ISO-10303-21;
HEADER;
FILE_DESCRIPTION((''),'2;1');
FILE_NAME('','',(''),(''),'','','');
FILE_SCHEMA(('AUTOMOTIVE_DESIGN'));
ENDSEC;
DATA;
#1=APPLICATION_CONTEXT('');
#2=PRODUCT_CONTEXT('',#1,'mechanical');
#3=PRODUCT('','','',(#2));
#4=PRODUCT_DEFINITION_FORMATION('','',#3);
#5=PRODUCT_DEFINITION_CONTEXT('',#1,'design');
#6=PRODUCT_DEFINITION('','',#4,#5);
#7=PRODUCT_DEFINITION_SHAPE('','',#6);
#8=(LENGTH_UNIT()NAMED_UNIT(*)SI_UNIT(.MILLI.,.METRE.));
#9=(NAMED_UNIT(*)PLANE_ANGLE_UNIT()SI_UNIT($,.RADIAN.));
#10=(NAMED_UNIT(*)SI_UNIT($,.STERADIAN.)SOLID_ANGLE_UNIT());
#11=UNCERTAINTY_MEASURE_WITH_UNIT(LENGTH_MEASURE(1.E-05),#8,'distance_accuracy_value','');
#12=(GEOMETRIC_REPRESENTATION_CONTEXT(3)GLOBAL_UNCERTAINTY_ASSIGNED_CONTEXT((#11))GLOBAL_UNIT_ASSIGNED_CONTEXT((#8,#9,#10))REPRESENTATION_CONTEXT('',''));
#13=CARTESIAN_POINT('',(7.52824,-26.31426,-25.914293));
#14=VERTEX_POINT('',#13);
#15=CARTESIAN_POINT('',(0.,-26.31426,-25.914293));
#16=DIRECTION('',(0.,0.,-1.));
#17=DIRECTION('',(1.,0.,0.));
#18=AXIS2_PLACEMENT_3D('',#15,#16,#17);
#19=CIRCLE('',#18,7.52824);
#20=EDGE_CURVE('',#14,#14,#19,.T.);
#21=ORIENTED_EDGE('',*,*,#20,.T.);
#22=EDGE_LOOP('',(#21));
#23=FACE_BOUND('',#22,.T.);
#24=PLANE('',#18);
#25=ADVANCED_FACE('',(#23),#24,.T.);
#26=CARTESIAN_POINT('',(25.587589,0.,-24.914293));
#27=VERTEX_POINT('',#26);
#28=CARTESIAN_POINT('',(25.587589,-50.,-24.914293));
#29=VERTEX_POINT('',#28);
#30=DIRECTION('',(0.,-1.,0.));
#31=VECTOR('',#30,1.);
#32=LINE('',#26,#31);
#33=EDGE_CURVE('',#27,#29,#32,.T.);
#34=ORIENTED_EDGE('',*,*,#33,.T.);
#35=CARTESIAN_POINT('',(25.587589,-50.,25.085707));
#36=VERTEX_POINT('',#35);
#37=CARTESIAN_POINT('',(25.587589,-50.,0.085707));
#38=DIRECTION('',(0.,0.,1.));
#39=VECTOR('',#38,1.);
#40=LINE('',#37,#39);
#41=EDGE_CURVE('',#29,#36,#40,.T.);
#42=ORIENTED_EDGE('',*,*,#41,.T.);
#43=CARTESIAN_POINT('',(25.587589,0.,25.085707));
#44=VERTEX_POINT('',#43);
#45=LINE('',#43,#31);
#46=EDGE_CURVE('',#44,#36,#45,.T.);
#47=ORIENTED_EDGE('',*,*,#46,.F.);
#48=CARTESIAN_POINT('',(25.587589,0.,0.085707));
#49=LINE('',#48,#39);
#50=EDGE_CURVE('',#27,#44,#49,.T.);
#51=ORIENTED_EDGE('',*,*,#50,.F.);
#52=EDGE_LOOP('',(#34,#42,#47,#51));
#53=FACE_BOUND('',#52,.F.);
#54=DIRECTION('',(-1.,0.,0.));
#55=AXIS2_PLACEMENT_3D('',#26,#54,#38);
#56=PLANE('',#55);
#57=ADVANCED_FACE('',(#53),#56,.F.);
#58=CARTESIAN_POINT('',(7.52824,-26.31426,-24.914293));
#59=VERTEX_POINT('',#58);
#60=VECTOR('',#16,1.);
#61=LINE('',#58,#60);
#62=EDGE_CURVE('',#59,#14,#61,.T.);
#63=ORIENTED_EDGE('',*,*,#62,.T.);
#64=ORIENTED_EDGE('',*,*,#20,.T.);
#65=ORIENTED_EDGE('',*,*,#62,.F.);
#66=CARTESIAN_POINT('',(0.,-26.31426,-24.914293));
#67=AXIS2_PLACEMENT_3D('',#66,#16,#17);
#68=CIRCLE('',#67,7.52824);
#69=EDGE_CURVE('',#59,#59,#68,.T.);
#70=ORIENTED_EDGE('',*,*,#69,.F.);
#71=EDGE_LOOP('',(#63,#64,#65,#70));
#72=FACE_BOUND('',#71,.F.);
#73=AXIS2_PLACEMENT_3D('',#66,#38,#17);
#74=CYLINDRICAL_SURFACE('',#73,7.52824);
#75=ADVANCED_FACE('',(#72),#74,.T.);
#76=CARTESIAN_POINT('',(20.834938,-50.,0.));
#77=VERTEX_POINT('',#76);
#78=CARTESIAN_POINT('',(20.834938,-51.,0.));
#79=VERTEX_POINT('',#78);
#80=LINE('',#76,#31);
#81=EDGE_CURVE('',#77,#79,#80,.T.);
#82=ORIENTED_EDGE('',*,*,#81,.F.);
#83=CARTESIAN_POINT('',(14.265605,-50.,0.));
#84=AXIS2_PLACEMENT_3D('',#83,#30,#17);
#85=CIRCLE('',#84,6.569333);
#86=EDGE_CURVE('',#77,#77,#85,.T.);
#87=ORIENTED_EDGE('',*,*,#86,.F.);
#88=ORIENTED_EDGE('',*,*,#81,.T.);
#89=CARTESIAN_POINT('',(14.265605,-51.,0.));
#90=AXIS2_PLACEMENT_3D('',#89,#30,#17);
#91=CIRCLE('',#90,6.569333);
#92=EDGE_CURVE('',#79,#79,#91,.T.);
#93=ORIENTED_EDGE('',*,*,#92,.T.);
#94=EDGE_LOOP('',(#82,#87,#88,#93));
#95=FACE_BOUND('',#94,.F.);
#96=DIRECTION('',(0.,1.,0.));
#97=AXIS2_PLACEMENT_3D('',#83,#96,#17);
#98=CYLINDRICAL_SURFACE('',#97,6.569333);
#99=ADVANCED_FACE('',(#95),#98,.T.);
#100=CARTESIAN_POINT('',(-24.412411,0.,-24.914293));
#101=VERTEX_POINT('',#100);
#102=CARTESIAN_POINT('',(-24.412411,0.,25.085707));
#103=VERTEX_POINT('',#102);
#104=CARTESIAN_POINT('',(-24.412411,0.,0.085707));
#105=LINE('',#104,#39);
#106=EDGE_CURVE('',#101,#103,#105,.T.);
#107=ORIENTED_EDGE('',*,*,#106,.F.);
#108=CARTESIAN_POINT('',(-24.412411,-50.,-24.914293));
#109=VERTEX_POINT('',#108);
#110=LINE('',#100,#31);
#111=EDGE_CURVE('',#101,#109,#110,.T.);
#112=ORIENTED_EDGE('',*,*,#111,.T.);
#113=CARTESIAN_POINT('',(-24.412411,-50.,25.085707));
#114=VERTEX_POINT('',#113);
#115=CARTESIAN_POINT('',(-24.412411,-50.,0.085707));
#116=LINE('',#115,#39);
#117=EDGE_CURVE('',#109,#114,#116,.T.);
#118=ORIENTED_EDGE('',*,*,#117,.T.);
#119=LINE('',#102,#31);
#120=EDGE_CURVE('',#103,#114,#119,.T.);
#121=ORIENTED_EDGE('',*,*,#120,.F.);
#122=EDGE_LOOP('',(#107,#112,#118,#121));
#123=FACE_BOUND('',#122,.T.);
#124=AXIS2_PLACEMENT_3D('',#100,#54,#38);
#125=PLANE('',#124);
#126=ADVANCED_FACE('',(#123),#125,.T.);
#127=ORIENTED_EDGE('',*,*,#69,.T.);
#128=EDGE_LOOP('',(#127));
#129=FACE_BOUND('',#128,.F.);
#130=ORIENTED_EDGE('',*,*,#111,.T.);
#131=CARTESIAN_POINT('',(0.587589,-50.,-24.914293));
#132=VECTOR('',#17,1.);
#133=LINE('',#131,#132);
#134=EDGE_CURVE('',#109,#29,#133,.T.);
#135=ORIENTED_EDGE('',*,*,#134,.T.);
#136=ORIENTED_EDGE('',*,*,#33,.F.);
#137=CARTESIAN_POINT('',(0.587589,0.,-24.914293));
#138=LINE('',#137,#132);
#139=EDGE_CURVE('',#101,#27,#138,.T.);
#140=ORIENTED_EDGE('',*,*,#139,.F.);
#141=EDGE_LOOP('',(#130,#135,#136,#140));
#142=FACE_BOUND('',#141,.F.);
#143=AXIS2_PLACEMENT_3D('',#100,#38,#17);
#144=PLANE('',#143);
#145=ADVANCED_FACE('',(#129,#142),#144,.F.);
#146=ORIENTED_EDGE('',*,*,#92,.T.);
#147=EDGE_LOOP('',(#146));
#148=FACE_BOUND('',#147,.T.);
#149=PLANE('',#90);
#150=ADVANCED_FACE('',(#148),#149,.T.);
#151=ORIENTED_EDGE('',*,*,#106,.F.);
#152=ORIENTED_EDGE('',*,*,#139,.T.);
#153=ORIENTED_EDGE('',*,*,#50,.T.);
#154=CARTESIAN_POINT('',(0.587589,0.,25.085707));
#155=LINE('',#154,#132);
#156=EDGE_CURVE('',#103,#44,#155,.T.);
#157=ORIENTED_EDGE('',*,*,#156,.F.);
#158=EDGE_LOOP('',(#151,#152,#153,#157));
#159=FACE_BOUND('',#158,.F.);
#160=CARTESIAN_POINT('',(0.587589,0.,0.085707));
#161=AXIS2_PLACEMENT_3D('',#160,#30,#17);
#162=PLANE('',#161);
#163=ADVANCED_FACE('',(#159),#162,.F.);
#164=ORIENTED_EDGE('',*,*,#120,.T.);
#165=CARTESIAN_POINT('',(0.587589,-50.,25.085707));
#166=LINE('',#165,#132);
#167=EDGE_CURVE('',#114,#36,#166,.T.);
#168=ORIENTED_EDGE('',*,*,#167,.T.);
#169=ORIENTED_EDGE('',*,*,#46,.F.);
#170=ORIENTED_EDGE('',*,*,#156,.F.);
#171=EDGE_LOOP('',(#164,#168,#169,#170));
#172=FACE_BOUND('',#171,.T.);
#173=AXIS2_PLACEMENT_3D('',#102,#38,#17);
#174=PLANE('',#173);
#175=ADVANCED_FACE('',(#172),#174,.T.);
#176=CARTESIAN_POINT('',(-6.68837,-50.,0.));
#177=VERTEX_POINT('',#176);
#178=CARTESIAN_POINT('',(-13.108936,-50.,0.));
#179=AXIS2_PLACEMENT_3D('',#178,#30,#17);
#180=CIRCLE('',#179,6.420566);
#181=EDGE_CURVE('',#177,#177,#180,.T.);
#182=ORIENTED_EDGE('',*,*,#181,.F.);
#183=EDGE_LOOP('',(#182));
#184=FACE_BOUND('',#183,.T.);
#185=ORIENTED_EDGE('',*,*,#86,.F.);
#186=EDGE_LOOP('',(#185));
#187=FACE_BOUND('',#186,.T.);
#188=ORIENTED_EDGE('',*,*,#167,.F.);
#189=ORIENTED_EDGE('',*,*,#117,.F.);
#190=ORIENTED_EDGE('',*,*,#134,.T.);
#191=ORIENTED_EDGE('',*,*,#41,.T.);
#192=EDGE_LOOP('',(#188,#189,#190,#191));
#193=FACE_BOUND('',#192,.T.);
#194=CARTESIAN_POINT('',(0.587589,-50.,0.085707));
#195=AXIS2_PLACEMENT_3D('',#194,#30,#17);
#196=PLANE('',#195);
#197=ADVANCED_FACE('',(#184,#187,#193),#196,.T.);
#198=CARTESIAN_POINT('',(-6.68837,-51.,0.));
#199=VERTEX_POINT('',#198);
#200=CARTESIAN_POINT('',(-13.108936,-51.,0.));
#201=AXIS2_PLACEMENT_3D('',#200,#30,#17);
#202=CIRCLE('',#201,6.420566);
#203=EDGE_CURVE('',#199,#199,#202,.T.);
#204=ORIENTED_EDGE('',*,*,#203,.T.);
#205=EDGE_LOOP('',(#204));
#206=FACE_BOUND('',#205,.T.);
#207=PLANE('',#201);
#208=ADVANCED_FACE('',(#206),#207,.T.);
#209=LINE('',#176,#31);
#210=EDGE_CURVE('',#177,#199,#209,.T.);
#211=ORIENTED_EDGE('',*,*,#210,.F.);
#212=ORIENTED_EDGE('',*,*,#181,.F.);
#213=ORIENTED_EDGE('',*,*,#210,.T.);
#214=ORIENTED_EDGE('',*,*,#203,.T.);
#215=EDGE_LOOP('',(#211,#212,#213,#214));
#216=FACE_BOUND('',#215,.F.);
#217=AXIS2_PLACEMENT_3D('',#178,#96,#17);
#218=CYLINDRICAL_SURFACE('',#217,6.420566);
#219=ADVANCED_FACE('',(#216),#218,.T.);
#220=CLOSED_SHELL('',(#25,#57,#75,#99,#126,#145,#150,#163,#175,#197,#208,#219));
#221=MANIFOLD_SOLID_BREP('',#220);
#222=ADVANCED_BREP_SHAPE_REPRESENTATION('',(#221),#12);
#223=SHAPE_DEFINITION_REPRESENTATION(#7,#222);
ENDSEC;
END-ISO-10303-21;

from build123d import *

# Parameters (mm, degrees)
F0_W     = 50
F0_H     = 50
F1_DEPTH = 50
F2_R     = 7.52824
F3_DEPTH = 1
F4_R     = 6.420566
F4_R_2   = 6.569333
F5_DEPTH = 1


with BuildPart() as f1:
    # F0 (on Front) → F1 (new body)
    with BuildSketch(Plane.XZ):
        with Locations((0.587589, 0.085707)):
            Rectangle(F0_W, F0_H)
    extrude(amount=F1_DEPTH)

    # F2 (on face) → F3 (join)
    with BuildSketch(Plane(origin=(0, 0, -24.914293), x_dir=(1, 0, 0), z_dir=(0, 0, -1))):
        with Locations((0, 26.31426)):
            Circle(F2_R)
    extrude(amount=F3_DEPTH)

    # F4 (on face) → F5 (join)
    with BuildSketch(Plane.XZ.offset(50)):
        with Locations((-13.108936, 0)):
            Circle(F4_R)
        with Locations((14.265605, 0)):
            Circle(F4_R_2)
    extrude(amount=F5_DEPTH)


solid = f1.part
